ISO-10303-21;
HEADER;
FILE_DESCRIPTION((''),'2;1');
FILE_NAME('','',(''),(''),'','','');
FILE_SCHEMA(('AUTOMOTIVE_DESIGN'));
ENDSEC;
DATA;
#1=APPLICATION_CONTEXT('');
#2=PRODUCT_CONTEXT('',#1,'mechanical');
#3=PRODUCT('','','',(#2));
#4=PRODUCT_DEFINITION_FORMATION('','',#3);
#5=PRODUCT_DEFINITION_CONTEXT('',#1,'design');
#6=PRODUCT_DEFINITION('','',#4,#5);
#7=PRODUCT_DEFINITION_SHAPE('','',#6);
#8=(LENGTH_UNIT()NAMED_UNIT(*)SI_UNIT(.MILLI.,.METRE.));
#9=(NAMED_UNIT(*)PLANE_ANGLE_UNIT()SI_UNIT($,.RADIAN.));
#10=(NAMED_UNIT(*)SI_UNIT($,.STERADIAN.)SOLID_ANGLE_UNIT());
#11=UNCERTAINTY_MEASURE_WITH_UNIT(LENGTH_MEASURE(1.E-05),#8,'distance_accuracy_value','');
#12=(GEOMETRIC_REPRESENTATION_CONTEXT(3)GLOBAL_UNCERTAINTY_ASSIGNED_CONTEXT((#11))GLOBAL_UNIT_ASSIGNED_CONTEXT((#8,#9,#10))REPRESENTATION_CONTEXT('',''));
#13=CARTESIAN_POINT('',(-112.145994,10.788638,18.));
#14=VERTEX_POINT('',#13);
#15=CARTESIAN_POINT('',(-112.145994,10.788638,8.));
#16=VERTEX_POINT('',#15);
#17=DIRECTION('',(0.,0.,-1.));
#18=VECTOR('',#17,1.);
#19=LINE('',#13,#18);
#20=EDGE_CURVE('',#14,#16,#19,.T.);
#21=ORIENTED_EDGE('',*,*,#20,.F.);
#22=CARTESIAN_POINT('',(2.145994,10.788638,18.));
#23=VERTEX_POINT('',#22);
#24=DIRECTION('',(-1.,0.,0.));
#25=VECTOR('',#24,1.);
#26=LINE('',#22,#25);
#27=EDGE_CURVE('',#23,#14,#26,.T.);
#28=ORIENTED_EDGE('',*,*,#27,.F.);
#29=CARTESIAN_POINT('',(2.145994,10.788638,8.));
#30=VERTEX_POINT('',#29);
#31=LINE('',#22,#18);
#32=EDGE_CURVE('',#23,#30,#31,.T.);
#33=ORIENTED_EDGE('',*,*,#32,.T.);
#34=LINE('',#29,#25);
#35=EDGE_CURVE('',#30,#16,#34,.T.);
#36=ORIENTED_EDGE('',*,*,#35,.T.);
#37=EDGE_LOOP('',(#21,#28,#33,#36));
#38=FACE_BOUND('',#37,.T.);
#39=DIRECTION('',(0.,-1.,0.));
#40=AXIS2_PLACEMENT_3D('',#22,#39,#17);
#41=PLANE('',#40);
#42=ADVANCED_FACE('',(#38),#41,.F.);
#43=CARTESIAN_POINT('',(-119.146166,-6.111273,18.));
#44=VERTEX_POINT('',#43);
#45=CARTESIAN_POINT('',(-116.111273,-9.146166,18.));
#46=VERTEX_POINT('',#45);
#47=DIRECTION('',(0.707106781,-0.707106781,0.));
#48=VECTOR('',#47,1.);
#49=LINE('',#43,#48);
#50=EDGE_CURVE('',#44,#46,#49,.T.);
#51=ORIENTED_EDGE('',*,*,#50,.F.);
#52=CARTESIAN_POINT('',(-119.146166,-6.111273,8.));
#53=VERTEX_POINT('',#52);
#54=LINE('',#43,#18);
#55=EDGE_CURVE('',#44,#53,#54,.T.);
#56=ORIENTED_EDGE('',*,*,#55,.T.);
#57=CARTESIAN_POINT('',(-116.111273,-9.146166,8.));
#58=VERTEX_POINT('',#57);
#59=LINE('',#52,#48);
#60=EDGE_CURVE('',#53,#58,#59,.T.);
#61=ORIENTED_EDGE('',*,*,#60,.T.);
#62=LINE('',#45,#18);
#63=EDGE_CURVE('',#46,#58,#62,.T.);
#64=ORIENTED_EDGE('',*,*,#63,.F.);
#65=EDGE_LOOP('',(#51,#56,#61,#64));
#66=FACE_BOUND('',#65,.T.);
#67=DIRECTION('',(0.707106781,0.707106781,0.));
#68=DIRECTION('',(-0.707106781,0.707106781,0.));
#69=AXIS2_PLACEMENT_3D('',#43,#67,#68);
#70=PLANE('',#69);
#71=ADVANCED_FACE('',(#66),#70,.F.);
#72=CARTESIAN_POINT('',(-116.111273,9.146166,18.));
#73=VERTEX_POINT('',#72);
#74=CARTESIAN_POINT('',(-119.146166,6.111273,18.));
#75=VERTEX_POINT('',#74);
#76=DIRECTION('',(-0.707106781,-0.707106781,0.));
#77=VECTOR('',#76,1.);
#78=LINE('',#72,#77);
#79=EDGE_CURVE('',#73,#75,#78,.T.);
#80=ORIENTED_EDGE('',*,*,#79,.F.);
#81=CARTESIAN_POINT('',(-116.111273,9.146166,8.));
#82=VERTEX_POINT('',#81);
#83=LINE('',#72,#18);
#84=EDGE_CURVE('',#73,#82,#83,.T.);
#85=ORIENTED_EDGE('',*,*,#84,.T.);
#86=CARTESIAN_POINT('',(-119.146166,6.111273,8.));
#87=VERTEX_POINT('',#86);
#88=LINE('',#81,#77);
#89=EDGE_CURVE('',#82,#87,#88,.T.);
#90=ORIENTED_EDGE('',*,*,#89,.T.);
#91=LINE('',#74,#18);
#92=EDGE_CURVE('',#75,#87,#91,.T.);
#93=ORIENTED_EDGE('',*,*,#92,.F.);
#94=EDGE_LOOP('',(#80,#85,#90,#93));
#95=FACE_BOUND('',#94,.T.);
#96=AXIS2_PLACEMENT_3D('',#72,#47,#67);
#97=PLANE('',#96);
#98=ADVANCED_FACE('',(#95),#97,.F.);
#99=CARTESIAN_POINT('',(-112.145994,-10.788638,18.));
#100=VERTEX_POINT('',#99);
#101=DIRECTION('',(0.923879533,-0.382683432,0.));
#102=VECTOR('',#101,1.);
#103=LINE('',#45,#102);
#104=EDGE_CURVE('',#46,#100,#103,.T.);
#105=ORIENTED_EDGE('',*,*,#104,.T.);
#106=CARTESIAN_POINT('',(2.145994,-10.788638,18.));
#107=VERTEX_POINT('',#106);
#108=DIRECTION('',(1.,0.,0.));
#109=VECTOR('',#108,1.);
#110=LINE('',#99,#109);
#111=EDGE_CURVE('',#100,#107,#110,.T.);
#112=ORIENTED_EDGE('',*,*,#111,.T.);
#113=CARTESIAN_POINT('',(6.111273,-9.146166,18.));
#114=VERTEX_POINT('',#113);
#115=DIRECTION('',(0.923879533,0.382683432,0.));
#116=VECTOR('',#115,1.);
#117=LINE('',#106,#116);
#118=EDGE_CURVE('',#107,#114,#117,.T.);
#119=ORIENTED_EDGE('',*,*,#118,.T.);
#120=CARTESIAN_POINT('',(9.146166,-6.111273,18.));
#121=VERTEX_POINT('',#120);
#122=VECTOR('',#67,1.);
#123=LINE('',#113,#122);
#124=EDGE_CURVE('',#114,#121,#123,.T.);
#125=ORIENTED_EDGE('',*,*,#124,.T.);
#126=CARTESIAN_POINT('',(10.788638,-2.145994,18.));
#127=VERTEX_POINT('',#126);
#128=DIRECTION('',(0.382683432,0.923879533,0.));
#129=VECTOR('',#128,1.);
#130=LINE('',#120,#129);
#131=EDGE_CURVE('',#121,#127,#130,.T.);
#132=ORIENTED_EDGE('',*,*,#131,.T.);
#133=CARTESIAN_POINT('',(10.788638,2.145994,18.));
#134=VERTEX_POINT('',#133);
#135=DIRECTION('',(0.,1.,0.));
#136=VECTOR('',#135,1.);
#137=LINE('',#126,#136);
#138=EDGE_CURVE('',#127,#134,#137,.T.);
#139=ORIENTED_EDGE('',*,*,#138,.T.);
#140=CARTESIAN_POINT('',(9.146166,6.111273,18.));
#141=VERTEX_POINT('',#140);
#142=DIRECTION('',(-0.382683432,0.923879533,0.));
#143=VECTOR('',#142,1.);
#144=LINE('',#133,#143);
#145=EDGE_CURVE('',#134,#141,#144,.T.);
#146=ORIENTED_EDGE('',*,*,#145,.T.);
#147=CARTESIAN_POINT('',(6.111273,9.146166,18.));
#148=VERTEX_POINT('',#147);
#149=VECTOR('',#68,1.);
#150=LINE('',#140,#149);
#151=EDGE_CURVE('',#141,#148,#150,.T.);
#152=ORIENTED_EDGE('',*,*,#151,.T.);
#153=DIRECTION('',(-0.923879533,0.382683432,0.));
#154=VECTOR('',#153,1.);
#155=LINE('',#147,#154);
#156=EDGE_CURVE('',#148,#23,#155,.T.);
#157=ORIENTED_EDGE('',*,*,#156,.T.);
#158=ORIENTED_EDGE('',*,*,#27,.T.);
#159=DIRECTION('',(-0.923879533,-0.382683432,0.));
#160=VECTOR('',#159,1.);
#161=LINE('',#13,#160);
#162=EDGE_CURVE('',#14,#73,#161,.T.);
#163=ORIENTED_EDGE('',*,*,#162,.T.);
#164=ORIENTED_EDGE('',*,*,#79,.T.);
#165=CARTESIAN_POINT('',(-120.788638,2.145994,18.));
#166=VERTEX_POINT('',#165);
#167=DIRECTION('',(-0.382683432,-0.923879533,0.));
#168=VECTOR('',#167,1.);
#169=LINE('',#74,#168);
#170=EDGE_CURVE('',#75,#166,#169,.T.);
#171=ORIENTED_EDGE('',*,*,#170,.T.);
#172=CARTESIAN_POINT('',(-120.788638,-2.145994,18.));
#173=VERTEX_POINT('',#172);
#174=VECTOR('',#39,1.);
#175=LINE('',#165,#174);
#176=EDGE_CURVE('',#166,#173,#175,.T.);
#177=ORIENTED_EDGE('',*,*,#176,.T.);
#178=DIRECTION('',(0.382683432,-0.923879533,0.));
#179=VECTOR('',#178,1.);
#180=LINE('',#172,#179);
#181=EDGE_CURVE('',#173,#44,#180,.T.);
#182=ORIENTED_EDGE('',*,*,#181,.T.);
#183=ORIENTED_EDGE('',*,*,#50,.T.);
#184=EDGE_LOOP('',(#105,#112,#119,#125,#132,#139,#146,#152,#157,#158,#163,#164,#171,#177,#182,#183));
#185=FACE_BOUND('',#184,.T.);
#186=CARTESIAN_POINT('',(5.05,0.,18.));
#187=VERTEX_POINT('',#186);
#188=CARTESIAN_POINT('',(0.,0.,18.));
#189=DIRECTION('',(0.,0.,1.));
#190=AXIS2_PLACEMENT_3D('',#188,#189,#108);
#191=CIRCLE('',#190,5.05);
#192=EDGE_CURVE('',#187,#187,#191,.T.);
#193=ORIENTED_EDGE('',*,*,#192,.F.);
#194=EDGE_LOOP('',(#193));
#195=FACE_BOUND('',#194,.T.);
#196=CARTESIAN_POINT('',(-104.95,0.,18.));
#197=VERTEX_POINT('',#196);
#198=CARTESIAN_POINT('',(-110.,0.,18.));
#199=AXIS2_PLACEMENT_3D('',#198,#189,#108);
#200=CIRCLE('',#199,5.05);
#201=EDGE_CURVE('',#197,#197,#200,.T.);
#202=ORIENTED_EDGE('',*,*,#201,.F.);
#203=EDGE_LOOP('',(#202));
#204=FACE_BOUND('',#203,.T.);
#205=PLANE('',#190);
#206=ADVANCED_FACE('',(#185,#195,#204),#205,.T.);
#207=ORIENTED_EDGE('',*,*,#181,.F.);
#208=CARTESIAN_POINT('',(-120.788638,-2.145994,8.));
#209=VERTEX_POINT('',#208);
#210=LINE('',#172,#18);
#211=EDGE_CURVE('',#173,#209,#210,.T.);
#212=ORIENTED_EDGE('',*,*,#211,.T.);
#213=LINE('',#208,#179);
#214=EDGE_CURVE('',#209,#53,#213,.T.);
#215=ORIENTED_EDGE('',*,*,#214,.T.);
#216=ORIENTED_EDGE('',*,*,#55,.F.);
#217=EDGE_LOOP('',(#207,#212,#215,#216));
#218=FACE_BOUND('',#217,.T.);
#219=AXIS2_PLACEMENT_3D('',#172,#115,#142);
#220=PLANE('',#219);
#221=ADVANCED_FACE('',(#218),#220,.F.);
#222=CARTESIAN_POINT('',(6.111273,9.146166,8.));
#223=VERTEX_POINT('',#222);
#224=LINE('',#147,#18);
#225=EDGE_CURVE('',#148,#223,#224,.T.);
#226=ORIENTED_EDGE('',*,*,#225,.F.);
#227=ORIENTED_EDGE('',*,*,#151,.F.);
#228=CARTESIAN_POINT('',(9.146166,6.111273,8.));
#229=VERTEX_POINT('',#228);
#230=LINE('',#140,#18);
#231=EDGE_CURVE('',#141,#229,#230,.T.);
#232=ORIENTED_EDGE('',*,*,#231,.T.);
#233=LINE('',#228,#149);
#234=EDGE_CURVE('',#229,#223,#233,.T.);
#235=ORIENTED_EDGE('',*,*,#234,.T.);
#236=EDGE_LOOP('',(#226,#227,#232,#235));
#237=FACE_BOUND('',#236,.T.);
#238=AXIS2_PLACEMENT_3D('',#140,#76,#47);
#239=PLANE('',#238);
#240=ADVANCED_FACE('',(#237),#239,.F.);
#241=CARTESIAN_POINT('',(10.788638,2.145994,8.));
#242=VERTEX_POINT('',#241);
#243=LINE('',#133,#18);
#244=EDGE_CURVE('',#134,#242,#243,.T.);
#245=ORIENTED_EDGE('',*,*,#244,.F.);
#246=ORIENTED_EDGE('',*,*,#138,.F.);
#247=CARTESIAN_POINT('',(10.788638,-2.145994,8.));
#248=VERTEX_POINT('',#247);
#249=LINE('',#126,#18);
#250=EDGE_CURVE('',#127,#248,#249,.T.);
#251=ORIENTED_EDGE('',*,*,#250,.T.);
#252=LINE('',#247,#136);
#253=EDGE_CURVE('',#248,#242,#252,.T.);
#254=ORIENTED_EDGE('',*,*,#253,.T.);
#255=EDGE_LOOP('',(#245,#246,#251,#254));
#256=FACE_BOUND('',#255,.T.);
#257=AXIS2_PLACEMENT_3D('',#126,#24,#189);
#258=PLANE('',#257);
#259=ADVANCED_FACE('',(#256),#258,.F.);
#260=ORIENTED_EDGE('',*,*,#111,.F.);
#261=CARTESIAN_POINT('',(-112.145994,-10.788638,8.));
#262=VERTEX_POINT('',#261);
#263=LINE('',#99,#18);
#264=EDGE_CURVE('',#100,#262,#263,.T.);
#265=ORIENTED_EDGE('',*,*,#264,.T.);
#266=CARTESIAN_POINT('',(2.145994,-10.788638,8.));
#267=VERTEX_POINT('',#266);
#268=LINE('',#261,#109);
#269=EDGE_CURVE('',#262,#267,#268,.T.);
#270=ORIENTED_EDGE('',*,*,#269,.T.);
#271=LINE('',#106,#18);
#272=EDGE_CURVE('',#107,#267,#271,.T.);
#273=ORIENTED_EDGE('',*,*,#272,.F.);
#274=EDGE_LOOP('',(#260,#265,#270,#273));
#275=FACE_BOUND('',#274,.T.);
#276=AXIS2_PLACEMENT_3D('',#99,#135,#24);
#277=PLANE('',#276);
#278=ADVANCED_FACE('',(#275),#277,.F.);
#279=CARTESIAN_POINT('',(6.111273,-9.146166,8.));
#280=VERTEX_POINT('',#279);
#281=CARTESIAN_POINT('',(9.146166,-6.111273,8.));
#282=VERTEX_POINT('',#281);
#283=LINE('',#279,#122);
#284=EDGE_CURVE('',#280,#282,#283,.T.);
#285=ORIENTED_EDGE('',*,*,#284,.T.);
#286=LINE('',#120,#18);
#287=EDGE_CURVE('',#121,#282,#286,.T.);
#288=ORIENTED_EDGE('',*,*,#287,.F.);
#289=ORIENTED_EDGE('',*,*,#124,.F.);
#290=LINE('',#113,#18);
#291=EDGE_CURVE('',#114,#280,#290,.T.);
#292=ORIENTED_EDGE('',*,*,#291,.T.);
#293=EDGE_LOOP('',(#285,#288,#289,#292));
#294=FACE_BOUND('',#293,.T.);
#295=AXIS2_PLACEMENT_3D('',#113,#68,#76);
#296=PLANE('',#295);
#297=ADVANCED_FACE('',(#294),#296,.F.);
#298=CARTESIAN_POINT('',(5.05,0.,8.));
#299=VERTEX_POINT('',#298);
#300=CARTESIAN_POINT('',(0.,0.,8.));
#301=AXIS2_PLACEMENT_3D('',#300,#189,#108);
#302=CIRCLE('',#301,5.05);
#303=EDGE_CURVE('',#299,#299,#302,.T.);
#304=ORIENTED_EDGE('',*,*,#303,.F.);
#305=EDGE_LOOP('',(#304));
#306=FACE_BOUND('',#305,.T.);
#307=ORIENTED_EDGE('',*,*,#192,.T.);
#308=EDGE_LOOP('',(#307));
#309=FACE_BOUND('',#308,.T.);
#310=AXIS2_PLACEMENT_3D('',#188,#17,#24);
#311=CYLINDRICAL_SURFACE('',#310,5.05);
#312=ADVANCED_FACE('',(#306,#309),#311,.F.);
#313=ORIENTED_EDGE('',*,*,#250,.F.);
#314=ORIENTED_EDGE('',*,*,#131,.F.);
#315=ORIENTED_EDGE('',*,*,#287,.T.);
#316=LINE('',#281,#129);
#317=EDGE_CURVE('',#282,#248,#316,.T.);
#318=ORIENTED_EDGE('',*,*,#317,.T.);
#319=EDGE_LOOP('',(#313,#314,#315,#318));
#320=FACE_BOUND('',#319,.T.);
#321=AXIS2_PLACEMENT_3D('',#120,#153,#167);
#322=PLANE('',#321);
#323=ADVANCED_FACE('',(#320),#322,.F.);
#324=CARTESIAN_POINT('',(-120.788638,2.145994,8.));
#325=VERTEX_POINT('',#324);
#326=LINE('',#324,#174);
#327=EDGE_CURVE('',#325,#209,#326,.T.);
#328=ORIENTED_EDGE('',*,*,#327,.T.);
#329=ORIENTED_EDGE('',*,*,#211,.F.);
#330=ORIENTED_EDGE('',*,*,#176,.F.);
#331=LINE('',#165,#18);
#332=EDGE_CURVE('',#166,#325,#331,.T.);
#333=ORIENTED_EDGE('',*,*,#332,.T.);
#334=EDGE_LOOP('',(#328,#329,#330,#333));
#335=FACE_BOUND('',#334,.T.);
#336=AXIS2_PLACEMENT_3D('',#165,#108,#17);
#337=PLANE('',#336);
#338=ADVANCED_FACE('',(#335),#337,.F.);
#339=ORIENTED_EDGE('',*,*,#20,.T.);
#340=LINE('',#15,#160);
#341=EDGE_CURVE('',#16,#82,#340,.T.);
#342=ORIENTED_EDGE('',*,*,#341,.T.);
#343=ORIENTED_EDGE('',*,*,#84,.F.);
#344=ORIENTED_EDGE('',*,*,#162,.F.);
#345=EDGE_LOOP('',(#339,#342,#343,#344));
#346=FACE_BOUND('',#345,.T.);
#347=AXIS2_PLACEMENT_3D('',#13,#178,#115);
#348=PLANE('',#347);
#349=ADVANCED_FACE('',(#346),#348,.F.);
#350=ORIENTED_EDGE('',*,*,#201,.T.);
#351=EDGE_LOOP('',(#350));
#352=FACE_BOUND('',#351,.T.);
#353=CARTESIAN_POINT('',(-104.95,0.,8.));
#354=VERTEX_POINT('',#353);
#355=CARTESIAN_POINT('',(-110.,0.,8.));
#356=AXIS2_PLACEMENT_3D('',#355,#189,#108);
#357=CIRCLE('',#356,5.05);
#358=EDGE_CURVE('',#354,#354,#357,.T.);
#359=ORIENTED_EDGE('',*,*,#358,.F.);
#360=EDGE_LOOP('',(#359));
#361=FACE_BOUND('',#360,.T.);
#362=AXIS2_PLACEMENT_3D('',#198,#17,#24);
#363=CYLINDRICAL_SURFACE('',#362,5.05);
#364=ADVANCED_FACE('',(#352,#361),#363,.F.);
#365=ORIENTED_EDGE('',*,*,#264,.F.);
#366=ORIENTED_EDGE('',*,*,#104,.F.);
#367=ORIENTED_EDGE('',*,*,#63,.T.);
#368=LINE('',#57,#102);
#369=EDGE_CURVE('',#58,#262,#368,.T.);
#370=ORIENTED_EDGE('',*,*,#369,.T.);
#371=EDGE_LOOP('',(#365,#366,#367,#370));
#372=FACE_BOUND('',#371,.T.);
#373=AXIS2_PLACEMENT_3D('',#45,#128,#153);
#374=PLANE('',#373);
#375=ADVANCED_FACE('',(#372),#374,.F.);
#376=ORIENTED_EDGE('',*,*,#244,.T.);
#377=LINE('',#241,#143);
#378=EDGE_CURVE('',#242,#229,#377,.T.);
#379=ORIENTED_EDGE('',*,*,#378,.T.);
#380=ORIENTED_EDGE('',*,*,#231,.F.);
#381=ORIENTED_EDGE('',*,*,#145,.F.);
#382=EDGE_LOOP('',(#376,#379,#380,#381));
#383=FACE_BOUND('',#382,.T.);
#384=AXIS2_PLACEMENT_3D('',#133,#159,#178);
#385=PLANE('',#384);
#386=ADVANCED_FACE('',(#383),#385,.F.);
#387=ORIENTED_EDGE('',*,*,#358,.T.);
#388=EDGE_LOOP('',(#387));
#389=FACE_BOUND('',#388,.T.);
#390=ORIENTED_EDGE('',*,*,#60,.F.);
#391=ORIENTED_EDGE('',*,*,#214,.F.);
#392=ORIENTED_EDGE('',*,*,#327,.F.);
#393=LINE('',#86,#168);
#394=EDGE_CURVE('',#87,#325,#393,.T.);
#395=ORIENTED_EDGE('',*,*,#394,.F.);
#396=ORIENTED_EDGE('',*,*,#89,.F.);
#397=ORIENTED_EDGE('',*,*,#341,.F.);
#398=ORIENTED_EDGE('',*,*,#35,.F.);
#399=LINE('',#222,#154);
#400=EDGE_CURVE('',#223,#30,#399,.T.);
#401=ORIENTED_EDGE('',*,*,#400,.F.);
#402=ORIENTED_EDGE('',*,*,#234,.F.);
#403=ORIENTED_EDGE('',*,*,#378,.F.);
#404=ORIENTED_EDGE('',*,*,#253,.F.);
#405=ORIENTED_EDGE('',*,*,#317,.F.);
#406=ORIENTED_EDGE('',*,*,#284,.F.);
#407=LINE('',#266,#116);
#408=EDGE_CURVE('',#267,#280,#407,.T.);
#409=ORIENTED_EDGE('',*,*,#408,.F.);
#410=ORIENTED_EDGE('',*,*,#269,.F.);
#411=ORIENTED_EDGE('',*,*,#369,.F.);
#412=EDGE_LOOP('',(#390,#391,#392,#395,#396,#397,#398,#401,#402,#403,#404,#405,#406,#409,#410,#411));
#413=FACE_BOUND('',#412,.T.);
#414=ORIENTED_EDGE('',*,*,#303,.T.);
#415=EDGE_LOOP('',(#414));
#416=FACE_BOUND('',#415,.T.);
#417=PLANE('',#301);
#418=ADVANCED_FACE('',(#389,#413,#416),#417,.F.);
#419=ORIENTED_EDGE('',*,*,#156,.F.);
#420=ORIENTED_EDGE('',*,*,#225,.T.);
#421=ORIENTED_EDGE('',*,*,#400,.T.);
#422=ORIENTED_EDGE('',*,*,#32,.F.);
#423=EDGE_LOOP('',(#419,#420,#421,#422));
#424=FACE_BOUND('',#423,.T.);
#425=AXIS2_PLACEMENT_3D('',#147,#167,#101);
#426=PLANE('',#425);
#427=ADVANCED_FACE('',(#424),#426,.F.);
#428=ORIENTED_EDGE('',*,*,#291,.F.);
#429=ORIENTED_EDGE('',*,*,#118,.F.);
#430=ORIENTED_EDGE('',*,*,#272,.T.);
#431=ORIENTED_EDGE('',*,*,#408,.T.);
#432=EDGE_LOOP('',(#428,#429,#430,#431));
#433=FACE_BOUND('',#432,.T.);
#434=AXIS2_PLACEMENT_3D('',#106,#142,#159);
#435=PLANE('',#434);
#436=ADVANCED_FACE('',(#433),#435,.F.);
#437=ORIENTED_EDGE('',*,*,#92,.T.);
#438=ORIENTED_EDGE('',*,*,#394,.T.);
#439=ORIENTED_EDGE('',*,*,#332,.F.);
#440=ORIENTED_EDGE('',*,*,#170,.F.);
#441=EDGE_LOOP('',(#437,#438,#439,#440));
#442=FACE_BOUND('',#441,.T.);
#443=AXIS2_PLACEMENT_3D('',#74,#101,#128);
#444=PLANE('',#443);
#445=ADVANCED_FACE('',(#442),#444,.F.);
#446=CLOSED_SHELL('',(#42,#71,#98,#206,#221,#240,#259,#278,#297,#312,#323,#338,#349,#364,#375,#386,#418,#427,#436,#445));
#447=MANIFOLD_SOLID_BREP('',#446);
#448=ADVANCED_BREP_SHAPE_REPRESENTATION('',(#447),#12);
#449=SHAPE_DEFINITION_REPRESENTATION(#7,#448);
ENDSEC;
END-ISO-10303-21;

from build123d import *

# Parameters (mm, degrees)
PASSIVE_ARM_START = 8
PROFILE_1_R       = 5.05
PASSIVE_ARM_DEPTH = 10


with BuildPart() as part:
    # Profile_1 → Passive_arm (new body)
    with BuildSketch(Plane.XY.offset(PASSIVE_ARM_START)):
        Polygon((9.146165735, 6.111272563), (6.111272563, 9.146165735), (2.145993542, 10.788638084), (-112.145993542, 10.788638084), (-116.111272563, 9.146165735), (-119.146165735, 6.111272563), (-120.788638084, 2.145993542), (-120.788638084, -2.145993542), (-119.146165735, -6.111272563), (-116.111272563, -9.146165735), (-112.145993542, -10.788638084), (2.145993542, -10.788638084), (6.111272563, -9.146165735), (9.146165735, -6.111272563), (10.788638084, -2.145993542), (10.788638084, 2.145993542), align=None)
        Circle(PROFILE_1_R, mode=Mode.SUBTRACT)
        with Locations((-110, 0)):
            Circle(PROFILE_1_R, mode=Mode.SUBTRACT)
    extrude(amount=PASSIVE_ARM_DEPTH)


solid = part.part
